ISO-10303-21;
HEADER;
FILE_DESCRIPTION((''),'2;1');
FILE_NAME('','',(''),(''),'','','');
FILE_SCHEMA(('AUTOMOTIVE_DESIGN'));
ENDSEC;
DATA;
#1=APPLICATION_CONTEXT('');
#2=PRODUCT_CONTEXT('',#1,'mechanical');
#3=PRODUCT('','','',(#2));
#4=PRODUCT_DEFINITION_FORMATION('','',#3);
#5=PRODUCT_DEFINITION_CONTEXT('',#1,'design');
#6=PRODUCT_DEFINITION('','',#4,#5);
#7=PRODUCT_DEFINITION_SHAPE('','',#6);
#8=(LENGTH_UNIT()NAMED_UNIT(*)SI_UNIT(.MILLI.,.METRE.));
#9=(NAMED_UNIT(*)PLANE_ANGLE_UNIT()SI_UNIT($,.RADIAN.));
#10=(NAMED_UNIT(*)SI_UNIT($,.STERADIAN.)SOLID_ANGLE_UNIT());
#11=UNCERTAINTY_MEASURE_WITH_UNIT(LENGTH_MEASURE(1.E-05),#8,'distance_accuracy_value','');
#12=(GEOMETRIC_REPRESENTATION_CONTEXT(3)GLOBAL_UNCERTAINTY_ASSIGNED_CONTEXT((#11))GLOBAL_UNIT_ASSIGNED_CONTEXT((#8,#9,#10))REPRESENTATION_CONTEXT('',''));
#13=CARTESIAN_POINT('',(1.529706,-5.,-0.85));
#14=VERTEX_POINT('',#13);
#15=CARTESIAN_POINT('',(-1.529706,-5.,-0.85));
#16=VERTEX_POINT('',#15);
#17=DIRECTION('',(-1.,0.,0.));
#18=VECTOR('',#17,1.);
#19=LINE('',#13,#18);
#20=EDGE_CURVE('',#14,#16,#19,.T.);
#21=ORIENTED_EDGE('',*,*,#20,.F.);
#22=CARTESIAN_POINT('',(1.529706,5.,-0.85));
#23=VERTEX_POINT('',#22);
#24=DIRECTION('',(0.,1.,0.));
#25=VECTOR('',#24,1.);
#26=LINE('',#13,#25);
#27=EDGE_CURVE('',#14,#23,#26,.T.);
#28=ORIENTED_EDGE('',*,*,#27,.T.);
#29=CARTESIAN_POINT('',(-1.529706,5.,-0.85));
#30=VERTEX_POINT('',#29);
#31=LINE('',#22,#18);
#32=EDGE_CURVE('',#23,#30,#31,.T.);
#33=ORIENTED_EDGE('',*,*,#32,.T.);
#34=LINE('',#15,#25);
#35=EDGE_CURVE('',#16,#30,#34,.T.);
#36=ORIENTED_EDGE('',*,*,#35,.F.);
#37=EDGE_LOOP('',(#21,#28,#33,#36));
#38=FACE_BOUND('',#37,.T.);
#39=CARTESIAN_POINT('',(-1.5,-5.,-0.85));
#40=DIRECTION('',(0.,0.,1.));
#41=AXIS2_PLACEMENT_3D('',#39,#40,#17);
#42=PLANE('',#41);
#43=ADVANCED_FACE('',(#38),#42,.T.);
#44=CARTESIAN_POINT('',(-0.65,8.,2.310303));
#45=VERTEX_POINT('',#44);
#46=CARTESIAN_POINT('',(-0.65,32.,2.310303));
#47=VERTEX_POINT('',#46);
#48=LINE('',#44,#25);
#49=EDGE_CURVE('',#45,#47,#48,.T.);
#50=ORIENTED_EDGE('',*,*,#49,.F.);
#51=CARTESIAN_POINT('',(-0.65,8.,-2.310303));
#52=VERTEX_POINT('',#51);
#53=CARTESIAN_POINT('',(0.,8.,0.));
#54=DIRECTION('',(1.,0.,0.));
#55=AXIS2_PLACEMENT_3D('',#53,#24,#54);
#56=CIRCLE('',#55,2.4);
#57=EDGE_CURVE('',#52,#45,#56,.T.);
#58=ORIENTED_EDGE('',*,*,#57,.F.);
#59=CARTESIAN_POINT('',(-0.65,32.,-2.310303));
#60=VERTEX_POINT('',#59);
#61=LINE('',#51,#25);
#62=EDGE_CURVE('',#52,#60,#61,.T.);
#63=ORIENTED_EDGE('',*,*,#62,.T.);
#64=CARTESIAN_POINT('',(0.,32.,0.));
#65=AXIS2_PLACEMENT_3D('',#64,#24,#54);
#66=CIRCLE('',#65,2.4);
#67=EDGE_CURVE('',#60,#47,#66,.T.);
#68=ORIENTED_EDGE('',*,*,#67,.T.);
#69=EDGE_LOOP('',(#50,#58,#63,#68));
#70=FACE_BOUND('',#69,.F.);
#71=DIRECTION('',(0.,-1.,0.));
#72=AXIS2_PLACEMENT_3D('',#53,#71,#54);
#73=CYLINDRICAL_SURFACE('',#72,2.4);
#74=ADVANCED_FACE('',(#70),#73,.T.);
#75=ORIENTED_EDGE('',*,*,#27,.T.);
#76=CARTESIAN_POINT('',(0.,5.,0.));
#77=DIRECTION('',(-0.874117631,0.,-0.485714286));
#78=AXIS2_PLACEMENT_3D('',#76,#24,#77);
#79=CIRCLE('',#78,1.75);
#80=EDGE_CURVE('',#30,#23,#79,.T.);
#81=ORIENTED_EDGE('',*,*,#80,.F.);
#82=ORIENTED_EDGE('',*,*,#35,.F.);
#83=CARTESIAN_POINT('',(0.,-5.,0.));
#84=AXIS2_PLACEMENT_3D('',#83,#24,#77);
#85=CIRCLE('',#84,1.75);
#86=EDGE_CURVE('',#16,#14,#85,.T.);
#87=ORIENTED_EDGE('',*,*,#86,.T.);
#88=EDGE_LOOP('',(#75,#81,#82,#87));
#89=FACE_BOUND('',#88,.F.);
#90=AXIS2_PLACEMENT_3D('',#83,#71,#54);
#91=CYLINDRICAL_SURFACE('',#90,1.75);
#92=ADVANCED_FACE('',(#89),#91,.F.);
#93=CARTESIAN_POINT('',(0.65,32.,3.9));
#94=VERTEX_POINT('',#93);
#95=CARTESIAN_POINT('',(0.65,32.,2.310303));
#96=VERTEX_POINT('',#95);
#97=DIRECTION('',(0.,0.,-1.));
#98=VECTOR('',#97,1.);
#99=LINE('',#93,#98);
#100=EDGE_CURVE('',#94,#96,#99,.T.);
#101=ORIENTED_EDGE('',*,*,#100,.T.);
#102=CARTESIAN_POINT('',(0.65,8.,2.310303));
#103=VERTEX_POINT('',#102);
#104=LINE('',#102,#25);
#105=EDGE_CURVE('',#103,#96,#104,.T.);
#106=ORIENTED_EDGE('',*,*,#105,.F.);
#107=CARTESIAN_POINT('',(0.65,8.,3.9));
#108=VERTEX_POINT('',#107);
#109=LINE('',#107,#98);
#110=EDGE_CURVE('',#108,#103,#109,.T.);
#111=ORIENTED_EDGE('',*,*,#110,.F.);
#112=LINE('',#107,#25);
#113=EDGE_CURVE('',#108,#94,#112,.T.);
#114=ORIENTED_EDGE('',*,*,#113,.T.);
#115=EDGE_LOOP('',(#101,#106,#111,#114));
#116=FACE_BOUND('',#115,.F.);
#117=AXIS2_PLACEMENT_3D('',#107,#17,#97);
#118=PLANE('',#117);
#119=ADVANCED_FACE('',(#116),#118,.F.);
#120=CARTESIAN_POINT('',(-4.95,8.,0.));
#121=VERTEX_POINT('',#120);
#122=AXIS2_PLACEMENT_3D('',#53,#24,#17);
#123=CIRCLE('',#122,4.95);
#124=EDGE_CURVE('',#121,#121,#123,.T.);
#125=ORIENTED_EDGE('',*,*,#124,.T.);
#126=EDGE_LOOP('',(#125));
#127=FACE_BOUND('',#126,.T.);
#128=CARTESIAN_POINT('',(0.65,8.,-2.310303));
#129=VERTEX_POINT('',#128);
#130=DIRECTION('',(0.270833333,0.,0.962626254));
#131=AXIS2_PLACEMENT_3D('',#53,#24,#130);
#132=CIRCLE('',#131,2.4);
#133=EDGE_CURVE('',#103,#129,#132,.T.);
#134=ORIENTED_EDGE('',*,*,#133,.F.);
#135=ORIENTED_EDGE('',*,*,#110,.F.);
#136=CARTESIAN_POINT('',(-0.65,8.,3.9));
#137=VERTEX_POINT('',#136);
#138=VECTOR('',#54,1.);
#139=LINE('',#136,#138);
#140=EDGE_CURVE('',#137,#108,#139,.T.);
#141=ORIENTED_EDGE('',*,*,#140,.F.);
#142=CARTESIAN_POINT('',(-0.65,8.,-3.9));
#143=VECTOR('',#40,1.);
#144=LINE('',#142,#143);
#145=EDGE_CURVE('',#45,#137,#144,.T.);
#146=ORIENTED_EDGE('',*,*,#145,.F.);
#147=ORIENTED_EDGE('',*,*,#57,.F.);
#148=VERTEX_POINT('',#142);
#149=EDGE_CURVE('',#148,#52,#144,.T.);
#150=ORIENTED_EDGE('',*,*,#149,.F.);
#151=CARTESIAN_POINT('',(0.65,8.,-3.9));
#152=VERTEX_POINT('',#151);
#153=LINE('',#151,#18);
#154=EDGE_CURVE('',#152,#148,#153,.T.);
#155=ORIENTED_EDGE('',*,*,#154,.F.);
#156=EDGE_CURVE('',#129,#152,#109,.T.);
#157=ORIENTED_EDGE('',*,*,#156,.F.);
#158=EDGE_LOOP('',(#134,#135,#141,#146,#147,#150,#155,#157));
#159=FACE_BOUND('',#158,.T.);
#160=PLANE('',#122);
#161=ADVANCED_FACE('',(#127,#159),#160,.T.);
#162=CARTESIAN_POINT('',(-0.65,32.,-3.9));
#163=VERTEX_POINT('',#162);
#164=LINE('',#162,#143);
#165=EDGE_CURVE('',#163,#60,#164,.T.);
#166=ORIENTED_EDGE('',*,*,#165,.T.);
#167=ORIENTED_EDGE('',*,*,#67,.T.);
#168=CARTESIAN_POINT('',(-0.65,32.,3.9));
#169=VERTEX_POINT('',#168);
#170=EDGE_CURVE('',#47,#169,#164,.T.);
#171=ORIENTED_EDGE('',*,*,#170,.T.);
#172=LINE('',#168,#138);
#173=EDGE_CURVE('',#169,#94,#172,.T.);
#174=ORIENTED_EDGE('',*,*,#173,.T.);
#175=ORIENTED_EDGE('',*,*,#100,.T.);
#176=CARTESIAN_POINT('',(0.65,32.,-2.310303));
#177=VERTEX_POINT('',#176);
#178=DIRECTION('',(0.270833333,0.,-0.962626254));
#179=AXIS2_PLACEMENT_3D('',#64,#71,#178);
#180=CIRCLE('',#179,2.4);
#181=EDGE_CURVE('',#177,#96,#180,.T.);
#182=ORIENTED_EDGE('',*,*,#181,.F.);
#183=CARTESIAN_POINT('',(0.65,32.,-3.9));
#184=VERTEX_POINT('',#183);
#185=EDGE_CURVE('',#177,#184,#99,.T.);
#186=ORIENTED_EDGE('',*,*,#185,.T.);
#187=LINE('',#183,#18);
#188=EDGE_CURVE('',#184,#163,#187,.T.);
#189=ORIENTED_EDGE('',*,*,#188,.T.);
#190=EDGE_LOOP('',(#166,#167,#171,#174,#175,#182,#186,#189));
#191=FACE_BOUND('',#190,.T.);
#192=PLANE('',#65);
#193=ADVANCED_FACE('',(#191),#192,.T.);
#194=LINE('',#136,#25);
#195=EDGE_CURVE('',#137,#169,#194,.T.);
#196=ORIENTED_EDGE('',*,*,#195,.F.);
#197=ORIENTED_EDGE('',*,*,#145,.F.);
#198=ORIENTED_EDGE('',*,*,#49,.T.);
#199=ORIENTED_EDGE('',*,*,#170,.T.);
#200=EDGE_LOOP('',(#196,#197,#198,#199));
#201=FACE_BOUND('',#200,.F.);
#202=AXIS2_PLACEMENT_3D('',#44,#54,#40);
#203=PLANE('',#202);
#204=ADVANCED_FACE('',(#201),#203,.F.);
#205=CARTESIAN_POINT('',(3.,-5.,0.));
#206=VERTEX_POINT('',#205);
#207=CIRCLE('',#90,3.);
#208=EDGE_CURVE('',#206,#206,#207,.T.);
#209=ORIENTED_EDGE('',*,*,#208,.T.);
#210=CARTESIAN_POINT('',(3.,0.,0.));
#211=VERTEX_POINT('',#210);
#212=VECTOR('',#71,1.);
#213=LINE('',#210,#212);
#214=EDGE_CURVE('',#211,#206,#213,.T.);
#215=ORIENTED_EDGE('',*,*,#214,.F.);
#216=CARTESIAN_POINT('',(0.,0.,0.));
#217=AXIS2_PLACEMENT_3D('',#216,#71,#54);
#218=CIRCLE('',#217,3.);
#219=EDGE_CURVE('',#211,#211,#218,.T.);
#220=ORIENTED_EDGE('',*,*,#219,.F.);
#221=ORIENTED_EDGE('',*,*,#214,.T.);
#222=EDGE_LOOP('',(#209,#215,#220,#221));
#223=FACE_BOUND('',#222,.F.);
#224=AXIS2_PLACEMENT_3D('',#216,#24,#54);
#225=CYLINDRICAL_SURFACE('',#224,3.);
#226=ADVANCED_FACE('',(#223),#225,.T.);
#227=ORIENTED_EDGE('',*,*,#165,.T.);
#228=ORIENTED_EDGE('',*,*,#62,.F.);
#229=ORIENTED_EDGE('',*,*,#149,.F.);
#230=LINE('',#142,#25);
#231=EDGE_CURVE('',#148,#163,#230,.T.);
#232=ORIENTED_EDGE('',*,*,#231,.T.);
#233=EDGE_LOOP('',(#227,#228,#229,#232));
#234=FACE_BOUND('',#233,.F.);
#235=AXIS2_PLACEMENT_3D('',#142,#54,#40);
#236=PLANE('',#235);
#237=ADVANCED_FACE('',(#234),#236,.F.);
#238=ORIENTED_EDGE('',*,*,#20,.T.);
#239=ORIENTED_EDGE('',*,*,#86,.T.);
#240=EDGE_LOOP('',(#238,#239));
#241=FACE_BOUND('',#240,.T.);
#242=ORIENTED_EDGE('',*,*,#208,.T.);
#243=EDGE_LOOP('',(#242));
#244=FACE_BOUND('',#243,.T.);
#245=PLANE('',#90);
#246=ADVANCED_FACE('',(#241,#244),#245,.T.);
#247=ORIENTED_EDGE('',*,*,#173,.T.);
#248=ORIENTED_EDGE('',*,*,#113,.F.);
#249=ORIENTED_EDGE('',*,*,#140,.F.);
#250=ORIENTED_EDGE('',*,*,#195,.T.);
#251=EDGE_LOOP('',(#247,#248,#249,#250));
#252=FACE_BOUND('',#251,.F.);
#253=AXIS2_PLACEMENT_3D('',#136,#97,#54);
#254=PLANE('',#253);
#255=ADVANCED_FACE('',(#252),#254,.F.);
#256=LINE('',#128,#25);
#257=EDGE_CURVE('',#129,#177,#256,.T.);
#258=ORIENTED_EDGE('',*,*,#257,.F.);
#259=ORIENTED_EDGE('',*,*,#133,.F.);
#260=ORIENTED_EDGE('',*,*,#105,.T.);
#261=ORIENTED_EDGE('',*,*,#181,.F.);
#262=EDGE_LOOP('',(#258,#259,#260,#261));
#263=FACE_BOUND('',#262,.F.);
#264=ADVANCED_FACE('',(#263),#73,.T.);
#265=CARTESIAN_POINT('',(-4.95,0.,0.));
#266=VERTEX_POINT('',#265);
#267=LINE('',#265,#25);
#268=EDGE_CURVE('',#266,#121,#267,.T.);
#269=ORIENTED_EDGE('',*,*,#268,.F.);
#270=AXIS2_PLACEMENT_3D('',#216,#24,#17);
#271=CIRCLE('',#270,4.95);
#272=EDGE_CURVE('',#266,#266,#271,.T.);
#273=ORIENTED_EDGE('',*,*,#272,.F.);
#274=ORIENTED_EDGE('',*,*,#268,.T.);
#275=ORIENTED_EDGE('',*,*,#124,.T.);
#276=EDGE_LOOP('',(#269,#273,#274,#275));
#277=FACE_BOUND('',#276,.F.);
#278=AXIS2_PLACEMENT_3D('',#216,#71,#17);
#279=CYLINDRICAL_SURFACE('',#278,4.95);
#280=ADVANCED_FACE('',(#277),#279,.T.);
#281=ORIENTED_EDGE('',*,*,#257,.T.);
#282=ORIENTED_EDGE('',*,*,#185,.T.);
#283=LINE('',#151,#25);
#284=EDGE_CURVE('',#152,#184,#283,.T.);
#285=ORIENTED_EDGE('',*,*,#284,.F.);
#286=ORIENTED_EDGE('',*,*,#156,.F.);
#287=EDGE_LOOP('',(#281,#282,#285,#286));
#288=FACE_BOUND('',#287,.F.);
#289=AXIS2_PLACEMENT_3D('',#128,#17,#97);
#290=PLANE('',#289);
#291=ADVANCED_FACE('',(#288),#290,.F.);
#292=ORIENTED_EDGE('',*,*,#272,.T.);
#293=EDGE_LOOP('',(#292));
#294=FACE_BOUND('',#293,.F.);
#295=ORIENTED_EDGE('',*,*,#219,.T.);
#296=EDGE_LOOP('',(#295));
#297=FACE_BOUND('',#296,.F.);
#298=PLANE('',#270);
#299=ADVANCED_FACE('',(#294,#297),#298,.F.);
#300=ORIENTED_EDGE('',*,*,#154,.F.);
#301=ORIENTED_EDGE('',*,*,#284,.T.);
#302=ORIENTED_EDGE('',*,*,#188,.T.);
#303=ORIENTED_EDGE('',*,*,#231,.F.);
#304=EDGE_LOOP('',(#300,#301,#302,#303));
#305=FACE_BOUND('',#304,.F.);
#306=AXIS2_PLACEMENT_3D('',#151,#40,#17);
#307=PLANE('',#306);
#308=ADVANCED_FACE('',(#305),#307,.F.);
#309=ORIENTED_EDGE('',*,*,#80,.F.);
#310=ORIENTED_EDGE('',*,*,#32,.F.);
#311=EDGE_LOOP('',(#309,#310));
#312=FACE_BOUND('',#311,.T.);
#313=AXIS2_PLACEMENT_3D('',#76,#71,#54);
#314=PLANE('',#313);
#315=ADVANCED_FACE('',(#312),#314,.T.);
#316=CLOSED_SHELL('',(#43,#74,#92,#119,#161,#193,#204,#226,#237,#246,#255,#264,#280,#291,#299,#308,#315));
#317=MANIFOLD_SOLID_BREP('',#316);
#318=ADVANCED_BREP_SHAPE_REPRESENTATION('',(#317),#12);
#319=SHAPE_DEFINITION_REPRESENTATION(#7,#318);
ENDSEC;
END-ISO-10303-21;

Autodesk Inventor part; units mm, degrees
ref_plane "YZ Plane" through (0, 0, 0) normal (1, 0, 0) x (0, 1, 0)
ref_plane "XZ Plane" through (0, 0, 0) normal (0, 1, 0) x (-1, 0, 0)
ref_plane "XY Plane" through (0, 0, 0) normal (0, 0, 1) x (1, 0, 0)
sketch "Sketch1" plane through (0, 0, 0) normal (0, 1, 0) x (-1, 0, 0)
  circle A0 centre (0, 0) radius 4.95
  dimension "d0" = 9.9
extrude "Extrusion1" add sketch "Sketch1" along normal blind 8
sketch "Sketch2" plane through (0, 8, 0) normal (0, 1, 0) x (1, 0, 0)
  circle A0 centre (0, 0) radius 2.4
  line L0 (-0.65, -3.9) -> (0.65, -3.9)
  line L1 (0.65, -3.9) -> (0.65, 3.9)
  line L2 (0.65, 3.9) -> (-0.65, 3.9)
  line L3 (-0.65, 3.9) -> (-0.65, -3.9)
  line L4 (-0.65, -3.9) -> (0.65, 3.9) construction
  line L5 (0.65, -3.9) -> (-0.65, 3.9) construction
  point P0 (-0.65, 2.3103)
  point P1 (-0.65, -2.3103)
  point P2 (0.65, -2.3103)
  point P3 (0.65, 2.3103)
  dimension "d3" = 4.8
  dimension "d4" = 1.3
  dimension "d5" = 7.8
extrude "Extrusion2" add sketch "Sketch2" along normal blind 24
sketch "Sketch3" plane through (0, 0, 0) normal (0, -1, 0) x (1, 0, 0)
  circle A0 centre (0, 0) radius 3
  dimension "d8" = 6
extrude "Extrusion3" add sketch "Sketch3" along normal blind 5
sketch "Sketch4" plane through (0, -5, 0) normal (0, -1, 0) x (1, 0, 0)
  arc A0 (-0.65, 2.3103) -> (-0.65, -2.3103) centre (0, 0) ccw projected
  circle A1 centre (0, 0) radius 1.75
  line L0 (1.3857, -0.85) -> (-1.5, -0.85)
  line L1 (1.3857, -0.85) -> (1.8275, -0.85)
  line L2 (-1.5, -0.85) -> (-1.5752, -0.85)
  point P0 (-0.5831, -1.65)
  point P1 (0.5831, -1.65)
  point P2 (1.5297, -0.85)
  point P3 (-1.5297, -0.85)
  dimension "d11" = 3.5
  dimension "d12" = 2.6
extrude "Extrusion6" cut sketch "Sketch4" against normal blind 10 contours A1 L1 L0 L2 picked at (-0.5593, -0.3047)
properties part number "spojkaMotoruSRotorem"
